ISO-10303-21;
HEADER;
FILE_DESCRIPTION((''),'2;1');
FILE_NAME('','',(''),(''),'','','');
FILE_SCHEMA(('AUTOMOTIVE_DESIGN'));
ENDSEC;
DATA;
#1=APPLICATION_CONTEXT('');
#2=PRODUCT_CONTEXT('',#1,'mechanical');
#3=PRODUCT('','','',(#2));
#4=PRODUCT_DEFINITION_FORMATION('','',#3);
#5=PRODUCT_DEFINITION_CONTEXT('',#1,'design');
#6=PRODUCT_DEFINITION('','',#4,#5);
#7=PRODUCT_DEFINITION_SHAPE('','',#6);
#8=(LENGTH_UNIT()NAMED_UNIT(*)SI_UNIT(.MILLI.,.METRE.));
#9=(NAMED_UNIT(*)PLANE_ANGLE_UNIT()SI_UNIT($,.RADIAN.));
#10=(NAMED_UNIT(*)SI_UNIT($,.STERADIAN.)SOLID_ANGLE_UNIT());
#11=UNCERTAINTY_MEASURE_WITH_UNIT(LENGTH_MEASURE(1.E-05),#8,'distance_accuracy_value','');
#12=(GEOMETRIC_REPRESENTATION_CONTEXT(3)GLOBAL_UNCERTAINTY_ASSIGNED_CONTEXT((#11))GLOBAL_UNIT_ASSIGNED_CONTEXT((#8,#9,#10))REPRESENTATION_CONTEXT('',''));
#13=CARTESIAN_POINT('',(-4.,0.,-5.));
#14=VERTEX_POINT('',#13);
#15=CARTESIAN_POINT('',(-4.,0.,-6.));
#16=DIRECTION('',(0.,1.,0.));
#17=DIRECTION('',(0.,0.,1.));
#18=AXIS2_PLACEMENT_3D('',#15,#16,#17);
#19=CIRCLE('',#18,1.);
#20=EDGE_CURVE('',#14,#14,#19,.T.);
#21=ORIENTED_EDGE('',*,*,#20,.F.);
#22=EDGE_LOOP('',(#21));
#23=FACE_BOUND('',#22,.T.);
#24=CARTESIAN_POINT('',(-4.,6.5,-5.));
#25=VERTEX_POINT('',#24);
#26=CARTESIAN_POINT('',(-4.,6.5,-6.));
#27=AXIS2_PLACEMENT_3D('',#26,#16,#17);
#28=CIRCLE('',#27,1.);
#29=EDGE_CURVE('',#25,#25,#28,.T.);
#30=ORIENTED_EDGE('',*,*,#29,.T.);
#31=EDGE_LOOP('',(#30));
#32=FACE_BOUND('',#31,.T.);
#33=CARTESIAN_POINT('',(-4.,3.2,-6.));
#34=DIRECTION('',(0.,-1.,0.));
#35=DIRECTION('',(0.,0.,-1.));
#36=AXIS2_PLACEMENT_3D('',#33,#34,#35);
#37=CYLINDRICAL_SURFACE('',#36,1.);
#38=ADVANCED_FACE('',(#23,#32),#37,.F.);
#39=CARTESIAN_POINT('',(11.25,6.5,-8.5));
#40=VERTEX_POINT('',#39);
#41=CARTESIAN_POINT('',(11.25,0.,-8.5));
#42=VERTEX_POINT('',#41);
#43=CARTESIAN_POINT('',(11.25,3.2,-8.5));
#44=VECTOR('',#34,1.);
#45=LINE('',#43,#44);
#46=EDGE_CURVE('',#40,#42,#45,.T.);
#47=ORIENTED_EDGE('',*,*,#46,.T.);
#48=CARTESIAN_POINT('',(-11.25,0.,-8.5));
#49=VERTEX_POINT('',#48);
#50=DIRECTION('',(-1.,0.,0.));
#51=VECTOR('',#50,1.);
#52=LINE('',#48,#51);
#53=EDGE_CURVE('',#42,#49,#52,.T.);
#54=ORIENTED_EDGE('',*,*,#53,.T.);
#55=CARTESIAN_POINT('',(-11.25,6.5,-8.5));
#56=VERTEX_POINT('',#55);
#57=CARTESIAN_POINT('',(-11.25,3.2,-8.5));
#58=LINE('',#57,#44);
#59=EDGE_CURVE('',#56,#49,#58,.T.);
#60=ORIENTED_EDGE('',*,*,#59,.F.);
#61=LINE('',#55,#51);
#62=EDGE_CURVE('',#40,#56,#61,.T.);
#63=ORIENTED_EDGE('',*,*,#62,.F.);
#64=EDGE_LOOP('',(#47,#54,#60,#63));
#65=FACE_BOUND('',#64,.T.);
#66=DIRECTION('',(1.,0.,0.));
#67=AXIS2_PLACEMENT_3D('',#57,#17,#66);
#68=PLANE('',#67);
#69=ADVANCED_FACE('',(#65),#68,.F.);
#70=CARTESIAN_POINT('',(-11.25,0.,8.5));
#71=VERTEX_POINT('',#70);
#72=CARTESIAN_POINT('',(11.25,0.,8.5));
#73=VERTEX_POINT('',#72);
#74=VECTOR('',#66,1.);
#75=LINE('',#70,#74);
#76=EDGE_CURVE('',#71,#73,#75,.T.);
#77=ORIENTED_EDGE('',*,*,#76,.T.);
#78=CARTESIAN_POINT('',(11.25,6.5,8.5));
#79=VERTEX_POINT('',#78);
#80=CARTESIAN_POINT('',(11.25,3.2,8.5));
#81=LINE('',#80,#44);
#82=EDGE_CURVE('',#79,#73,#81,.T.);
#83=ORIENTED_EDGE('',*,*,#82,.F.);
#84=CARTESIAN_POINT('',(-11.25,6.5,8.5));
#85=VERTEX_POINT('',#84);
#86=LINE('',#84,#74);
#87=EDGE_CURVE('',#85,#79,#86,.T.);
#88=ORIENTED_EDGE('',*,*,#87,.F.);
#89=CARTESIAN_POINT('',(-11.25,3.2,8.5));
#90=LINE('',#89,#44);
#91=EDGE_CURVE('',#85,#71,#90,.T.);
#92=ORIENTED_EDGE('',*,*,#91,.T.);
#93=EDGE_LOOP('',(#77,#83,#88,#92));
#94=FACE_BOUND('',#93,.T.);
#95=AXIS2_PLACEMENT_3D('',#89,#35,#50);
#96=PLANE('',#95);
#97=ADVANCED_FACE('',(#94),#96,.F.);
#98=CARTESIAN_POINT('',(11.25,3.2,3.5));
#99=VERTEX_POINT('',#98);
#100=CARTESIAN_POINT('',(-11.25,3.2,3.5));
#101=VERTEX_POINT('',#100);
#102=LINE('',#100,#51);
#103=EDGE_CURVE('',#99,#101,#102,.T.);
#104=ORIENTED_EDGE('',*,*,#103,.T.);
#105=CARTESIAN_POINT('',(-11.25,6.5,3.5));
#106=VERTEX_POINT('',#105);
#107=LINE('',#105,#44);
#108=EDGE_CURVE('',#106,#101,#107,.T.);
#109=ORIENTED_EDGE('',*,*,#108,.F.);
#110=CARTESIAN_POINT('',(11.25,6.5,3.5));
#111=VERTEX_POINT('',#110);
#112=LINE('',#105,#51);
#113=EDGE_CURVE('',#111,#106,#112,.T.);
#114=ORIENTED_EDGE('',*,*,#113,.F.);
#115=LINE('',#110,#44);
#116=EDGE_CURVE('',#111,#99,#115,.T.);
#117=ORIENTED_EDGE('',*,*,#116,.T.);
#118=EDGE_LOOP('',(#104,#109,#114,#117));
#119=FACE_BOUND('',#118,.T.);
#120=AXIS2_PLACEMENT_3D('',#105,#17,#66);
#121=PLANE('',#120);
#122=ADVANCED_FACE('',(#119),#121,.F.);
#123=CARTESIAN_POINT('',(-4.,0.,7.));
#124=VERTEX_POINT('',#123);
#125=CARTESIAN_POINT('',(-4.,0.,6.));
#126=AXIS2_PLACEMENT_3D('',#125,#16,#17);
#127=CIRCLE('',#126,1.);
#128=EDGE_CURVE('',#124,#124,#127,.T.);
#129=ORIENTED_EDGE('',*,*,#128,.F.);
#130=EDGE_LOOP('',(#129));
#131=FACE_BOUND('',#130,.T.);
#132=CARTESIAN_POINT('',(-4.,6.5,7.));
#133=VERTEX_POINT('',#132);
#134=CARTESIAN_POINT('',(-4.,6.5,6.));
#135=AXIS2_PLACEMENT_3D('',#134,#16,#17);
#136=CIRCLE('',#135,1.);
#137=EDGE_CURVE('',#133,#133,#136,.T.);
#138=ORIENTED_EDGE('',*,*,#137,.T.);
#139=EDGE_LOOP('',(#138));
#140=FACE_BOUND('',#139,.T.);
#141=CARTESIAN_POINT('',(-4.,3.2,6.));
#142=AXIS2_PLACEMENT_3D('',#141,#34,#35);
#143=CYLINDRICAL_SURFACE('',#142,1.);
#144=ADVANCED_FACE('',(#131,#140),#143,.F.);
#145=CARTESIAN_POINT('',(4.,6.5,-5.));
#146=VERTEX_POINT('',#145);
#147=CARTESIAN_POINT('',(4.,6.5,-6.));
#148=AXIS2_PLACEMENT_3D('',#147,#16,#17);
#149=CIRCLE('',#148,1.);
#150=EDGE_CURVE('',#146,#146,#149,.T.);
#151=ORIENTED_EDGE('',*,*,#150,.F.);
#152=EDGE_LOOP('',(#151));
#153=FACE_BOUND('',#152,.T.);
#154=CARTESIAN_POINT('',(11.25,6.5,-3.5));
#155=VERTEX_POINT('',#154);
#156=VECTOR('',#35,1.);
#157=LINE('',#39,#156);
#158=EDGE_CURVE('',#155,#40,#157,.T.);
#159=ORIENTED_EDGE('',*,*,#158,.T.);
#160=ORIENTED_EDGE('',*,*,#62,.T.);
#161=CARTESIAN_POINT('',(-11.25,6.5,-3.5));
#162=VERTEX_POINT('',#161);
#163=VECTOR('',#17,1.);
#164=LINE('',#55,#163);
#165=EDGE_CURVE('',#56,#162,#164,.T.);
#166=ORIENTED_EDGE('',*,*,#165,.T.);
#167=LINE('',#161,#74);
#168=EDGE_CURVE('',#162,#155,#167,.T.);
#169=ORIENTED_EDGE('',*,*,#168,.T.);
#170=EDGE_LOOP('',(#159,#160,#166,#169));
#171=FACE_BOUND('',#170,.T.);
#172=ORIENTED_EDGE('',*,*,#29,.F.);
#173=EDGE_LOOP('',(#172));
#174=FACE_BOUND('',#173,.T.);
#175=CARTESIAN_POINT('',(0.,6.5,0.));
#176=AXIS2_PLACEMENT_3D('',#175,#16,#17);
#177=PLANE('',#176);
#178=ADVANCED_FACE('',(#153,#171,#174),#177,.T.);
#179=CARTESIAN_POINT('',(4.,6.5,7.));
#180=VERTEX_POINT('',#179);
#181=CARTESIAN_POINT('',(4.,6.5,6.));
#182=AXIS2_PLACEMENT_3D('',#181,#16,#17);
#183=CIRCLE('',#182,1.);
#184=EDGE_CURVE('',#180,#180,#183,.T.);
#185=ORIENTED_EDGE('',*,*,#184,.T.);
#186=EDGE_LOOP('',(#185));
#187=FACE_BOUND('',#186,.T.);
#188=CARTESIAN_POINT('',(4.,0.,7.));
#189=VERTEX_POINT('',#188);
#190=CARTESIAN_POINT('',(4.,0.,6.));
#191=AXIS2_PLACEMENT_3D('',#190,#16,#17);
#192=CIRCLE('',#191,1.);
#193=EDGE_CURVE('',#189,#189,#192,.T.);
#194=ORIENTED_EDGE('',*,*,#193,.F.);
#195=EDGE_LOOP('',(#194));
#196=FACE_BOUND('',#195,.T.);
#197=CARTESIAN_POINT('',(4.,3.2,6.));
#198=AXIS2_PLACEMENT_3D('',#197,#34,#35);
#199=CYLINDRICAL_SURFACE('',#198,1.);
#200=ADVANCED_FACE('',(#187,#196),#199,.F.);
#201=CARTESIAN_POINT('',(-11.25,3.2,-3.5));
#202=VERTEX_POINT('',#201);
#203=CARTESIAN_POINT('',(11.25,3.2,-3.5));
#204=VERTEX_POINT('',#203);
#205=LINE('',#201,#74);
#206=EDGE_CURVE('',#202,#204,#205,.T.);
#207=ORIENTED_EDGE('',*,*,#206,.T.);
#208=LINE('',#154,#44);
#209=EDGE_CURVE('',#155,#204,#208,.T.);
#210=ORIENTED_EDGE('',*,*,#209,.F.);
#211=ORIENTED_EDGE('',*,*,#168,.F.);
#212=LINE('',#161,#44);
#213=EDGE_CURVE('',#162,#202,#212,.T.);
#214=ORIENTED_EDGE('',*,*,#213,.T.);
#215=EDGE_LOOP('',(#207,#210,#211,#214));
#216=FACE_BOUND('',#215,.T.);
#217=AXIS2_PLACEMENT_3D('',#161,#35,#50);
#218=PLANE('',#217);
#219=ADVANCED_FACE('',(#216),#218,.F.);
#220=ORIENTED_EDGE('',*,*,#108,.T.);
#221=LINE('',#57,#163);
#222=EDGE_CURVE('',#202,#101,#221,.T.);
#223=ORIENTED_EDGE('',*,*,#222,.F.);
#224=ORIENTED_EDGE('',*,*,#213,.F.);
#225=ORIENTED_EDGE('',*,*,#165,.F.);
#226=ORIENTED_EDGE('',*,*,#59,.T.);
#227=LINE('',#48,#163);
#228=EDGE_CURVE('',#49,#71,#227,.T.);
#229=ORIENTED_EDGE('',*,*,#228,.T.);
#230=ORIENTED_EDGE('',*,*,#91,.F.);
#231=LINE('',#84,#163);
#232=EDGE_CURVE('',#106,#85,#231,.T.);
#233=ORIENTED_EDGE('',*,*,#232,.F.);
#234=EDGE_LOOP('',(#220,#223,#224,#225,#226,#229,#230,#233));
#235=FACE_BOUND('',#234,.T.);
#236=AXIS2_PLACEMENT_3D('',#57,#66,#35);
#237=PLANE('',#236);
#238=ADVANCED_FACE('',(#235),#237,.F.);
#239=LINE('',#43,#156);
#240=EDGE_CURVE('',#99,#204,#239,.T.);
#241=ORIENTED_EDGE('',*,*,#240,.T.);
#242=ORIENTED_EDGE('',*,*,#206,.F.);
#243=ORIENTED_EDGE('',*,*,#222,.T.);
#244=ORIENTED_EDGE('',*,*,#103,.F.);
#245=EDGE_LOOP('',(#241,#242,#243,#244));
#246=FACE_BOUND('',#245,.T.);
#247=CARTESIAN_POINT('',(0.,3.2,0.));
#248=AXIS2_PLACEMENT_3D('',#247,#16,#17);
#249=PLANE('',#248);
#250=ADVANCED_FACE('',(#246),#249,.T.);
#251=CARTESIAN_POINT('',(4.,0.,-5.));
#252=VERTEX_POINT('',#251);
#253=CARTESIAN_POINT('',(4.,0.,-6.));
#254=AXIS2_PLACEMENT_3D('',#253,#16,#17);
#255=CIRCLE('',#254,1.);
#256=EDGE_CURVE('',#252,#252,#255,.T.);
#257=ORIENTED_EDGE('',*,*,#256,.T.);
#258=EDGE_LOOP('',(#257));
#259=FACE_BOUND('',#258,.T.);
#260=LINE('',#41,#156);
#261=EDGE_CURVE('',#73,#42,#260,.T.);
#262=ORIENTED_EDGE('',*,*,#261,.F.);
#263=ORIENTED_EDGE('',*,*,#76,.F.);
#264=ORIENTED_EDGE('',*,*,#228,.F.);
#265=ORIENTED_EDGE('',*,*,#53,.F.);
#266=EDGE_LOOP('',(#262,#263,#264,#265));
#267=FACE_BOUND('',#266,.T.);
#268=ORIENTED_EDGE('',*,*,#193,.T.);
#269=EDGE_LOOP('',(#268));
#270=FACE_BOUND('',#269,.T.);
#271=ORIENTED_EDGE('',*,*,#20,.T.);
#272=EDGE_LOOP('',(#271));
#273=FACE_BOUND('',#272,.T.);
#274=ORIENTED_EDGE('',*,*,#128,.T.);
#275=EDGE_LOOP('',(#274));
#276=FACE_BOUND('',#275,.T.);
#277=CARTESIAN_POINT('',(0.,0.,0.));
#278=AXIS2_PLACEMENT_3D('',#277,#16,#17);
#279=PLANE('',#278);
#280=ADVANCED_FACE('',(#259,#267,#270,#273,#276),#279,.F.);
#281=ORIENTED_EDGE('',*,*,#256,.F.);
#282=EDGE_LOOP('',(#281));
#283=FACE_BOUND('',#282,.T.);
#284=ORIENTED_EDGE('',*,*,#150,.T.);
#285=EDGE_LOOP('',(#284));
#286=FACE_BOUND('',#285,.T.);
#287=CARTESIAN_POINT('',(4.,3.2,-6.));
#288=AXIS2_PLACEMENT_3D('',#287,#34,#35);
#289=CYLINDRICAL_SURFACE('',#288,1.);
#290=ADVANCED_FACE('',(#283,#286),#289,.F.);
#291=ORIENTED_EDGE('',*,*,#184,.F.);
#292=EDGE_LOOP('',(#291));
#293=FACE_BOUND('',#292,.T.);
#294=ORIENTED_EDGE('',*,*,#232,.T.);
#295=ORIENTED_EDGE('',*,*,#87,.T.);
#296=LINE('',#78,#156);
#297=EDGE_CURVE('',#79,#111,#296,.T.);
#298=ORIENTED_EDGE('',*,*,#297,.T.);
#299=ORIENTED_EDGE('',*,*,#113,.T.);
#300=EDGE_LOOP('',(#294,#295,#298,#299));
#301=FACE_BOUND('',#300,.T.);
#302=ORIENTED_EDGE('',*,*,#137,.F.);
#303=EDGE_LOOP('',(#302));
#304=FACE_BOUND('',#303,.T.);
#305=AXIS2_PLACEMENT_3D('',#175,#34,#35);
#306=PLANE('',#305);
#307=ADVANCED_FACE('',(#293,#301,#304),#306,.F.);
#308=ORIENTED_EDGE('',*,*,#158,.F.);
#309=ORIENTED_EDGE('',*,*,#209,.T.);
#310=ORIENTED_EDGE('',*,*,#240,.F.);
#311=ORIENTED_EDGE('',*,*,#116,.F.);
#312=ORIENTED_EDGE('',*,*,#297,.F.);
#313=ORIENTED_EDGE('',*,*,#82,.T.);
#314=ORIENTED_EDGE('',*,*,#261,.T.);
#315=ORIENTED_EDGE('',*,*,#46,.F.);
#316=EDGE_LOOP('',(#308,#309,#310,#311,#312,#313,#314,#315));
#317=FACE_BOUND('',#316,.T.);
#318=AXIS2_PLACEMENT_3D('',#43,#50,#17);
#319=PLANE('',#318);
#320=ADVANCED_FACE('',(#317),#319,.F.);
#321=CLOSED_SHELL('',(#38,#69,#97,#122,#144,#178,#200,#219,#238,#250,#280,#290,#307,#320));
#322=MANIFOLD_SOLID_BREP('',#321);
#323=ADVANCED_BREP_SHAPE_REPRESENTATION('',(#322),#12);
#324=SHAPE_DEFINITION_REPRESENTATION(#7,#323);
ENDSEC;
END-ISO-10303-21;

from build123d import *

# Parameters (mm, degrees)
SKETCH_1_W      = 22.5
SKETCH_1_H      = 17
SKETCH_1_R      = 1
EXTRUDE_1_DEPTH = 3.2
SKETCH_2_W      = 22.5
SKETCH_2_H      = 5
SKETCH_2_R      = 1
EXTRUDE_2_DEPTH = 3.3


with BuildPart() as part:
    # 草图1 → 凸台-拉伸1 (new body)
    with BuildSketch(Plane(origin=(0, 0, 0), x_dir=(1, 0, 0), z_dir=(0, 1, 0))):
        Rectangle(SKETCH_1_W, SKETCH_1_H)
        with Locations(Location((4, 6, 0), (0, 0, 270))):
            Circle(SKETCH_1_R, mode=Mode.SUBTRACT)
        with Locations(Location((-4, 6, 0), (0, 0, 270))):
            Circle(SKETCH_1_R, mode=Mode.SUBTRACT)
        with Locations(Location((-4, -6, 0), (0, 0, 270))):
            Circle(SKETCH_1_R, mode=Mode.SUBTRACT)
        with Locations(Location((4, -6, 0), (0, 0, 270))):
            Circle(SKETCH_1_R, mode=Mode.SUBTRACT)
    extrude(amount=EXTRUDE_1_DEPTH)

    # 草图2 → 凸台-拉伸2 (add)
    # profile 1 of 2: a face of its own
    with BuildSketch(Plane(origin=(0, 3.2, 0), x_dir=(1, 0, 0), z_dir=(0, 1, 0))):
        with Locations((0, 6)):
            Rectangle(SKETCH_2_W, SKETCH_2_H)
        with Locations(Location((-4, 6, 0), (0, 0, 270))):
            Circle(SKETCH_2_R, mode=Mode.SUBTRACT)
        with Locations(Location((4, 6, 0), (0, 0, 270))):
            Circle(SKETCH_2_R, mode=Mode.SUBTRACT)
    # profile 2 of 2: a face of its own
    with BuildSketch(Plane(origin=(0, 3.2, 0), x_dir=(1, 0, 0), z_dir=(0, 1, 0))):
        with Locations((0, -6)):
            Rectangle(SKETCH_2_W, SKETCH_2_H)
        with Locations(Location((-4, -6, 0), (0, 0, 270))):
            Circle(SKETCH_2_R, mode=Mode.SUBTRACT)
        with Locations(Location((4, -6, 0), (0, 0, 270))):
            Circle(SKETCH_2_R, mode=Mode.SUBTRACT)
    extrude(amount=EXTRUDE_2_DEPTH)


solid = part.part
